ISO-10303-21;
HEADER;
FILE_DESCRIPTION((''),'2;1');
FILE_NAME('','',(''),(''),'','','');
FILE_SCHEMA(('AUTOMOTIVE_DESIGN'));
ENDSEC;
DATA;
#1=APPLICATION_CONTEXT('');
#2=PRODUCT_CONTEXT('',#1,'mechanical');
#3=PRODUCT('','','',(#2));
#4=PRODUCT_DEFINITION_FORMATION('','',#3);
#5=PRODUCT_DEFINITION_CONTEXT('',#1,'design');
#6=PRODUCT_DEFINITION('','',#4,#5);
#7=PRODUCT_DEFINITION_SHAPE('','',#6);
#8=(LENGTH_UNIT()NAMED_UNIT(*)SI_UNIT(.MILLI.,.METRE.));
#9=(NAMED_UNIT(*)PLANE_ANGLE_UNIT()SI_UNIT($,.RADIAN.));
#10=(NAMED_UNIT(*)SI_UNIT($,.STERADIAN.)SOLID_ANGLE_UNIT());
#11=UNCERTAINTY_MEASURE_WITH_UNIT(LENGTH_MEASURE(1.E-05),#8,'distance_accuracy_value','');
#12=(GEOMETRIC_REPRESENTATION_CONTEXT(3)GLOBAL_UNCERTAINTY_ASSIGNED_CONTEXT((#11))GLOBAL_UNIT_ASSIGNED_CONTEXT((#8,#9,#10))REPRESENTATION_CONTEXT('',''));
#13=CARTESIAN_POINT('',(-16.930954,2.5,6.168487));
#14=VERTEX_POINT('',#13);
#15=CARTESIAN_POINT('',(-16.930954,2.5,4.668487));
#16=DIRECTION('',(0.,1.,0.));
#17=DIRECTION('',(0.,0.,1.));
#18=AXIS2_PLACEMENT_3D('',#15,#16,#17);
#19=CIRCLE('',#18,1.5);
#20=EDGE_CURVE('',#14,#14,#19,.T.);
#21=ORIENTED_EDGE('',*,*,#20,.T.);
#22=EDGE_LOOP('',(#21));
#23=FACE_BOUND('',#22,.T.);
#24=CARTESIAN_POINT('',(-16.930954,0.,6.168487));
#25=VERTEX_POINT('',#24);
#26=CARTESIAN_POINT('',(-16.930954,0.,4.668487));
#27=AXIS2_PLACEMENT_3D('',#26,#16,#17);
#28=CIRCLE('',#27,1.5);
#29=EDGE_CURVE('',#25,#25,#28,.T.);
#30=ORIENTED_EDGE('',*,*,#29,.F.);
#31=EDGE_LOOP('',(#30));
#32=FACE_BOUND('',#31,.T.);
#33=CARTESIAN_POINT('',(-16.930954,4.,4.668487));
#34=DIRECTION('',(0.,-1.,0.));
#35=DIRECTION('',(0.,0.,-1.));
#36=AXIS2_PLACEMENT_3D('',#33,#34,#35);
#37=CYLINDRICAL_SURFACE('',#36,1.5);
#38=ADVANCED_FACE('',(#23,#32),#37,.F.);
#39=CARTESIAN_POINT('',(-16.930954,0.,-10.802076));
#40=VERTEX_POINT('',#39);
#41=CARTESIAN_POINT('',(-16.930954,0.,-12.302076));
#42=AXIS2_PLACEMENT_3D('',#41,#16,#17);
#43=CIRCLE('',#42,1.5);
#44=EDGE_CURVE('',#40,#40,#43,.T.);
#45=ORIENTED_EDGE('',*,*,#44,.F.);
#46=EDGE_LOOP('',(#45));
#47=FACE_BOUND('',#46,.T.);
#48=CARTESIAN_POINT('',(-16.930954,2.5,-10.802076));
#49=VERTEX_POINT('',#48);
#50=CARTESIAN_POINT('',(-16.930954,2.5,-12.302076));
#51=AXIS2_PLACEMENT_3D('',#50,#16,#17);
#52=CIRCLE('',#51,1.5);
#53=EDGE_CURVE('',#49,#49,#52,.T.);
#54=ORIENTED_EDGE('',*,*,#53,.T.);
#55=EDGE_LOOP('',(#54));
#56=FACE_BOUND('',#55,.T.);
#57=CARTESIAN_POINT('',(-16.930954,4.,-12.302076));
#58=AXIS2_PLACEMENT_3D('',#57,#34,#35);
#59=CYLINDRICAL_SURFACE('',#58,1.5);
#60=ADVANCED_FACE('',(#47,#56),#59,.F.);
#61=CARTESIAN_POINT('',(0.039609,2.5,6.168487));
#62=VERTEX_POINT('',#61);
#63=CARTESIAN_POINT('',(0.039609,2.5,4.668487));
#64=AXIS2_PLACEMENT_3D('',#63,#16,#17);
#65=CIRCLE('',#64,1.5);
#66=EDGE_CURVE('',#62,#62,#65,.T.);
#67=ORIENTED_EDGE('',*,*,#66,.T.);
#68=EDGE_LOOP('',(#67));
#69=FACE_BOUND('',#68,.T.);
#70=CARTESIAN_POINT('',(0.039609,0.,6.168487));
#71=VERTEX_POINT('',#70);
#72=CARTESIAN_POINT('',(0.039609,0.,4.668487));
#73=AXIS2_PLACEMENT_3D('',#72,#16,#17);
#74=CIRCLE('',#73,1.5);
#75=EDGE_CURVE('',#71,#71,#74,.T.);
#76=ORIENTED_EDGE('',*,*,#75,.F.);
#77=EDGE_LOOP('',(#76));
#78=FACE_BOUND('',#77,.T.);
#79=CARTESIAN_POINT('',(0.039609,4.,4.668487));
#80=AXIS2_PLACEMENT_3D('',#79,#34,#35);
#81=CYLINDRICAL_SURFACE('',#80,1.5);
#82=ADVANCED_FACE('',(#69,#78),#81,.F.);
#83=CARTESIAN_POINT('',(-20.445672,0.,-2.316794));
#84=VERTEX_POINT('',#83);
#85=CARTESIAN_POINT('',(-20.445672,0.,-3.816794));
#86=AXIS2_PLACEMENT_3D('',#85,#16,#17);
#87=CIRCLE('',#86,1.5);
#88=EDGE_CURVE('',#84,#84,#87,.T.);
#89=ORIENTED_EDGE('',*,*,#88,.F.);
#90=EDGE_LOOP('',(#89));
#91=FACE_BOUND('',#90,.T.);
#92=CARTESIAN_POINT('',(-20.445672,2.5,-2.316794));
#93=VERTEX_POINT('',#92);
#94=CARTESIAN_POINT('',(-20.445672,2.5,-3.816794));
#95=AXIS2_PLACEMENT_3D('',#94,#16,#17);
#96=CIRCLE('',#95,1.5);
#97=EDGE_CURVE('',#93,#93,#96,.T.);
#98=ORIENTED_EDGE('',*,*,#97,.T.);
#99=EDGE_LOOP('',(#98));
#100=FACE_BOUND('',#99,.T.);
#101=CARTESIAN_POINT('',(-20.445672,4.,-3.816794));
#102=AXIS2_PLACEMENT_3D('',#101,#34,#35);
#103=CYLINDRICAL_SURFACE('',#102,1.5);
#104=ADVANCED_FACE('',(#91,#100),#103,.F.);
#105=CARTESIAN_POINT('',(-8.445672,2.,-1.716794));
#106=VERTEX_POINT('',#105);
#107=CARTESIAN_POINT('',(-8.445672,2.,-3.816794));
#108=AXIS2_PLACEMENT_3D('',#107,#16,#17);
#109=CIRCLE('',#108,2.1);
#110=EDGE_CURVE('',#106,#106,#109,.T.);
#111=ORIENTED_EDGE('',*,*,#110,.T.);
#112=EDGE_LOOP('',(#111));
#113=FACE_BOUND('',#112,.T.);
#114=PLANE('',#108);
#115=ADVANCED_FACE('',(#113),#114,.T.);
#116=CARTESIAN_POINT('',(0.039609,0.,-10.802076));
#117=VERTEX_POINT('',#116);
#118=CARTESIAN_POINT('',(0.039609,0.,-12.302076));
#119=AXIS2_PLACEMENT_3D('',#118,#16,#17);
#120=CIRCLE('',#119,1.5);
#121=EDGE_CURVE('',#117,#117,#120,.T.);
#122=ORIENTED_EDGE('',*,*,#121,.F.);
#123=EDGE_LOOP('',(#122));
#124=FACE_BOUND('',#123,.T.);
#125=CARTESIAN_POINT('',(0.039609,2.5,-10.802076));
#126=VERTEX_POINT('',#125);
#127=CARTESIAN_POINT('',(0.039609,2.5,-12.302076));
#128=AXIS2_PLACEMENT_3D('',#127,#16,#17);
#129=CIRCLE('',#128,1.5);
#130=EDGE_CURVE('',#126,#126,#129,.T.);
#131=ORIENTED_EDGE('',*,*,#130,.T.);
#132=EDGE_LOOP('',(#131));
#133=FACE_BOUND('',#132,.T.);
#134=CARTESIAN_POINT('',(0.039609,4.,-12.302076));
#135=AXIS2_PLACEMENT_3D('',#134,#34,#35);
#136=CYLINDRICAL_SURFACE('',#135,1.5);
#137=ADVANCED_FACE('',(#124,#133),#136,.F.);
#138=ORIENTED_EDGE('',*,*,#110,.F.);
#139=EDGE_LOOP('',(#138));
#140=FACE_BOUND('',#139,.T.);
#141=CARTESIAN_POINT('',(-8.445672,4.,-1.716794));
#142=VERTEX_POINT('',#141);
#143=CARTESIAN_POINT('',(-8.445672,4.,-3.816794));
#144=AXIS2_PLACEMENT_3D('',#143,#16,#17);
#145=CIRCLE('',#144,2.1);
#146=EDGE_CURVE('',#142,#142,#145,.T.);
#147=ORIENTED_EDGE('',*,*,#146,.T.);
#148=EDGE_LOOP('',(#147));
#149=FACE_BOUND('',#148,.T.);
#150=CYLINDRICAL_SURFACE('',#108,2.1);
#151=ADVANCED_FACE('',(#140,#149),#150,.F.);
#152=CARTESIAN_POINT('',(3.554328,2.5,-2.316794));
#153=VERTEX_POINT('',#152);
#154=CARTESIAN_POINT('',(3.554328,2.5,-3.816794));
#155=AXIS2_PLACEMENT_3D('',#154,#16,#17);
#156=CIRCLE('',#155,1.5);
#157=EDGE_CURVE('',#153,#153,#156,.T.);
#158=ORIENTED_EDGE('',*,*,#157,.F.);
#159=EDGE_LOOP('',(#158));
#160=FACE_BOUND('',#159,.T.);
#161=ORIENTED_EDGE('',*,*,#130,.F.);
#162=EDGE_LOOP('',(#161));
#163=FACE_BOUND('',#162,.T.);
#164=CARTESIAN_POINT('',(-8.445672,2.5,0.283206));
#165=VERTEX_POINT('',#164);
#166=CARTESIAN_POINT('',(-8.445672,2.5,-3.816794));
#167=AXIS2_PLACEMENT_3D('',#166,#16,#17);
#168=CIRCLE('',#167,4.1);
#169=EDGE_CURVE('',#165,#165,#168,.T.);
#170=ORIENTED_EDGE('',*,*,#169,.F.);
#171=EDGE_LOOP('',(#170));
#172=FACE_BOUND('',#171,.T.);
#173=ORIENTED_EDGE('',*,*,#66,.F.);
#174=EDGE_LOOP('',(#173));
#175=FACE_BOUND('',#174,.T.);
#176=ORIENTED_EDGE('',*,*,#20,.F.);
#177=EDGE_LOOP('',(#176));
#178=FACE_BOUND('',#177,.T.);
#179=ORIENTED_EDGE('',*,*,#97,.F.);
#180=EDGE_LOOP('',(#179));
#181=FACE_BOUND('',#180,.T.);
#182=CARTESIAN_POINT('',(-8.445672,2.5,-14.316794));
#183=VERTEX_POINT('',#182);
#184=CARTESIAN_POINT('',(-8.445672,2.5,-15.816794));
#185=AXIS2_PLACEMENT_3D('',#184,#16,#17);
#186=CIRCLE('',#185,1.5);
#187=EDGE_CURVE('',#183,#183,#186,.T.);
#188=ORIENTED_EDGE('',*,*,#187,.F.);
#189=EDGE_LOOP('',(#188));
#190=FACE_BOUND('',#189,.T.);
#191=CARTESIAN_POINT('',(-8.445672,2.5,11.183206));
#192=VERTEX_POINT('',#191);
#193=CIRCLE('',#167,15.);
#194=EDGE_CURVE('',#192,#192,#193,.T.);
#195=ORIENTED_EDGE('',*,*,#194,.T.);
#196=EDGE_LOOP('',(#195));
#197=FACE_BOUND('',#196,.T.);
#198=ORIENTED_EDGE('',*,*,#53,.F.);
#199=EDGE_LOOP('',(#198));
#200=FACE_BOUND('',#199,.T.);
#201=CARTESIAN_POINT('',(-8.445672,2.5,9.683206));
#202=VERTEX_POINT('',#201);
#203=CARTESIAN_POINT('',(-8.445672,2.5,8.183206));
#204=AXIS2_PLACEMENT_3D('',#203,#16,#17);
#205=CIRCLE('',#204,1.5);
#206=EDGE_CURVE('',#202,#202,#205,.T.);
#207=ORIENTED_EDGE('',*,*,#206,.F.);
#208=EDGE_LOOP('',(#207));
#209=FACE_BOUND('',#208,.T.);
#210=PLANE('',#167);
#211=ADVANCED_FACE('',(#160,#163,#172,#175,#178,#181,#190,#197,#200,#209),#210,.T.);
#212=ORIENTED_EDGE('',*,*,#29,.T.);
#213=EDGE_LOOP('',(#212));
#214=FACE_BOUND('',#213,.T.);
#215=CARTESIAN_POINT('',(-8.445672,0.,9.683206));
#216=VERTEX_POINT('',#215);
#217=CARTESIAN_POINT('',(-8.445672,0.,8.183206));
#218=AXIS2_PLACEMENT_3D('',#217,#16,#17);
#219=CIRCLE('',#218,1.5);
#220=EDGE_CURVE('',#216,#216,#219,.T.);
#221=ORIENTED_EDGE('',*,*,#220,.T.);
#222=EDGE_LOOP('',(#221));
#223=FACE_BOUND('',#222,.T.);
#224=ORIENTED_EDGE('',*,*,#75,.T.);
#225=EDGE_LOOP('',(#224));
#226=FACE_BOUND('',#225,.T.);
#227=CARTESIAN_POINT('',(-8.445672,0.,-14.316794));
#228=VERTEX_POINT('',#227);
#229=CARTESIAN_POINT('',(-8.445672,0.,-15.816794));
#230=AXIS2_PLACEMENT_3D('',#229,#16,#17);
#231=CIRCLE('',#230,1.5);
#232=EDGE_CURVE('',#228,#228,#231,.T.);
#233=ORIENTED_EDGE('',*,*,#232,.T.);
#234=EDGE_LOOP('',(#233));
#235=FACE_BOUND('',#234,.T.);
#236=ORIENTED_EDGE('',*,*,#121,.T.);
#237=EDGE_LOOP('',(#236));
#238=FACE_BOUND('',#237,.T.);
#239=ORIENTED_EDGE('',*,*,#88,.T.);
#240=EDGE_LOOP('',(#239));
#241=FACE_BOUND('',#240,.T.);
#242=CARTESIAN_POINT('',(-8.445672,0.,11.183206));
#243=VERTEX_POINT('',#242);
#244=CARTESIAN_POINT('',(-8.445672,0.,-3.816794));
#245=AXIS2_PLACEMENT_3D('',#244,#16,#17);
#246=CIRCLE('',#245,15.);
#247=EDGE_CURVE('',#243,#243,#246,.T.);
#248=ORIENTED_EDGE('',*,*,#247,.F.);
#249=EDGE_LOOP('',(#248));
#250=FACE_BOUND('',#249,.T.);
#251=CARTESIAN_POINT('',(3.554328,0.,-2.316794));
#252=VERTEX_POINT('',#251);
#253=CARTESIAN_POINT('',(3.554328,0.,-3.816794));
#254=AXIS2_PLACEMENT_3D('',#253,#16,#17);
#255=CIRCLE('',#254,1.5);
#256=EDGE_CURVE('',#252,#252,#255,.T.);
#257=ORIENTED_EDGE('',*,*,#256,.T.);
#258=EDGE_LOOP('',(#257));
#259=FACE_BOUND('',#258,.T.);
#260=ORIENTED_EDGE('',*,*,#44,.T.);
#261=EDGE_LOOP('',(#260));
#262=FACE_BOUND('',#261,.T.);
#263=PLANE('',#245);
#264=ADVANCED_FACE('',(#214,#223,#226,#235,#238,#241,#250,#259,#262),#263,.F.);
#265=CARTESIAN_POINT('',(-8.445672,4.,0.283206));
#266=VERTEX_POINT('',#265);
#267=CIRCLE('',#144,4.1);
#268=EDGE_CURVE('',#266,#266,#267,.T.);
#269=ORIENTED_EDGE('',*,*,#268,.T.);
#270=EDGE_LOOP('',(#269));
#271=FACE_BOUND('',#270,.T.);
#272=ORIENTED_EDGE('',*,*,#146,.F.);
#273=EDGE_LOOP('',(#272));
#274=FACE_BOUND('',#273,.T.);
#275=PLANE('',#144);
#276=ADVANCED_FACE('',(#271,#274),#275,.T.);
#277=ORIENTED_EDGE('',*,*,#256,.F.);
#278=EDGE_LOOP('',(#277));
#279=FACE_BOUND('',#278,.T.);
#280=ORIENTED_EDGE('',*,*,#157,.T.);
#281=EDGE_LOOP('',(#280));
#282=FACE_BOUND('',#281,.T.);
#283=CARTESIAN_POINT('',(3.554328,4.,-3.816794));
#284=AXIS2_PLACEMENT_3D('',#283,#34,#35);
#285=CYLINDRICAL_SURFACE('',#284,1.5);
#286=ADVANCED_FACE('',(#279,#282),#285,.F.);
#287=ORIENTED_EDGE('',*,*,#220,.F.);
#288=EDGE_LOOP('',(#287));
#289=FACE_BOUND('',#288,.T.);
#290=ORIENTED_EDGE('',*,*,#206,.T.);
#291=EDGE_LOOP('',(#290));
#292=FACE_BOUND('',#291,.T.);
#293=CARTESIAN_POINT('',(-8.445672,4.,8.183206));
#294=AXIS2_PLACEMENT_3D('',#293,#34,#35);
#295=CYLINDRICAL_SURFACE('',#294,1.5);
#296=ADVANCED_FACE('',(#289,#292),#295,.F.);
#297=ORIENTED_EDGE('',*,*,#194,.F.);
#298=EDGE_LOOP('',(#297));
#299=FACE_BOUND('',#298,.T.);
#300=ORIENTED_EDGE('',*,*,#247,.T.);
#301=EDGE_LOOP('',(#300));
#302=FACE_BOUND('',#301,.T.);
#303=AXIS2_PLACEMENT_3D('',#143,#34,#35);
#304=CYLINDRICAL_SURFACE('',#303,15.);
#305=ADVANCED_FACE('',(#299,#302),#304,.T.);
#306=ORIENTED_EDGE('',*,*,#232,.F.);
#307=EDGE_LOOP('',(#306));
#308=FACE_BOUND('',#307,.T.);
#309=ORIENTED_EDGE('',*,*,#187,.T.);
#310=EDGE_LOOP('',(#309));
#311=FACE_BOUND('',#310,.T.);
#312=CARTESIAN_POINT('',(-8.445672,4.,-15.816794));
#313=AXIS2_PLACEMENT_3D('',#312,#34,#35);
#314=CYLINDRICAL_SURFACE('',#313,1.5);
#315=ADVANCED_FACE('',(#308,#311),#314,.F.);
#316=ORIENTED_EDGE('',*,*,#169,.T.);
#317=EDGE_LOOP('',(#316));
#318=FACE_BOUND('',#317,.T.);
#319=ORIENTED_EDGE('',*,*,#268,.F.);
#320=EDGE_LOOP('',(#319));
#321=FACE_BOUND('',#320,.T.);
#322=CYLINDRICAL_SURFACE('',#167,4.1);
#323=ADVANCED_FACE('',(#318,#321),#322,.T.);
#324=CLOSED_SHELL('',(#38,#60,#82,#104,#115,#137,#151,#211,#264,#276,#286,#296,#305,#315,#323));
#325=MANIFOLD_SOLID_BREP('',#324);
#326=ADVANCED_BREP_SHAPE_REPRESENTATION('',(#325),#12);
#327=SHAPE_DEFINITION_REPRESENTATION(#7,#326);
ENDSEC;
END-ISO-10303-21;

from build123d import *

# Parameters (mm, degrees)
SKETCH1_R           = 15
SKETCH1_R_2         = 1.5
BOSS_EXTRUDE1_DEPTH = 4
SKETCH2_R           = 2.1
CUT_EXTRUDE1_DEPTH  = 2
SKETCH3_R           = 21.629030548
SKETCH3_R_2         = 4.1
CUT_EXTRUDE2_DEPTH  = 1.5


with BuildPart() as part:
    # Sketch1 → Boss-Extrude1 (new body)
    with BuildSketch(Plane(origin=(0, 0, 0), x_dir=(1, 0, 0), z_dir=(0, 1, 0))):
        with Locations(Location((-8.445672376, 3.816794247, 0), (0, 0, 270))):
            Circle(SKETCH1_R)
        with Locations(Location((-8.445672376, 15.816794247, 0), (0, 0, 270))):
            Circle(SKETCH1_R_2, mode=Mode.SUBTRACT)
        with Locations(Location((0.039608998, 12.302075621, 0), (0, 0, 270))):
            Circle(SKETCH1_R_2, mode=Mode.SUBTRACT)
        with Locations(Location((3.554327624, 3.816794247, 0), (0, 0, 270))):
            Circle(SKETCH1_R_2, mode=Mode.SUBTRACT)
        with Locations(Location((0.039608998, -4.668487127, 0), (0, 0, 270))):
            Circle(SKETCH1_R_2, mode=Mode.SUBTRACT)
        with Locations(Location((-8.445672376, -8.183205753, 0), (0, 0, 270))):
            Circle(SKETCH1_R_2, mode=Mode.SUBTRACT)
        with Locations(Location((-16.93095375, -4.668487127, 0), (0, 0, 270))):
            Circle(SKETCH1_R_2, mode=Mode.SUBTRACT)
        with Locations(Location((-20.445672376, 3.816794247, 0), (0, 0, 270))):
            Circle(SKETCH1_R_2, mode=Mode.SUBTRACT)
        with Locations(Location((-16.93095375, 12.302075621, 0), (0, 0, 270))):
            Circle(SKETCH1_R_2, mode=Mode.SUBTRACT)
    extrude(amount=BOSS_EXTRUDE1_DEPTH)

    # Sketch2 → Cut-Extrude1 (cut)
    with BuildSketch(Plane(origin=(0, 4, 0), x_dir=(1, 0, 0), z_dir=(0, 1, 0))):
        with Locations(Location((-8.445672376, 3.816794247, 0), (0, 0, 270))):
            Circle(SKETCH2_R)
    extrude(amount=-CUT_EXTRUDE1_DEPTH, mode=Mode.SUBTRACT)

    # Sketch3 → Cut-Extrude2 (cut)
    with BuildSketch(Plane(origin=(0, 4, 0), x_dir=(1, 0, 0), z_dir=(0, 1, 0))):
        with Locations((-8.445672376, 3.816794247)):
            Circle(SKETCH3_R)
        with Locations(Location((-8.445672376, 3.816794247, 0), (0, 0, 270))):
            Circle(SKETCH3_R_2, mode=Mode.SUBTRACT)
    extrude(amount=-CUT_EXTRUDE2_DEPTH, mode=Mode.SUBTRACT)


solid = part.part
